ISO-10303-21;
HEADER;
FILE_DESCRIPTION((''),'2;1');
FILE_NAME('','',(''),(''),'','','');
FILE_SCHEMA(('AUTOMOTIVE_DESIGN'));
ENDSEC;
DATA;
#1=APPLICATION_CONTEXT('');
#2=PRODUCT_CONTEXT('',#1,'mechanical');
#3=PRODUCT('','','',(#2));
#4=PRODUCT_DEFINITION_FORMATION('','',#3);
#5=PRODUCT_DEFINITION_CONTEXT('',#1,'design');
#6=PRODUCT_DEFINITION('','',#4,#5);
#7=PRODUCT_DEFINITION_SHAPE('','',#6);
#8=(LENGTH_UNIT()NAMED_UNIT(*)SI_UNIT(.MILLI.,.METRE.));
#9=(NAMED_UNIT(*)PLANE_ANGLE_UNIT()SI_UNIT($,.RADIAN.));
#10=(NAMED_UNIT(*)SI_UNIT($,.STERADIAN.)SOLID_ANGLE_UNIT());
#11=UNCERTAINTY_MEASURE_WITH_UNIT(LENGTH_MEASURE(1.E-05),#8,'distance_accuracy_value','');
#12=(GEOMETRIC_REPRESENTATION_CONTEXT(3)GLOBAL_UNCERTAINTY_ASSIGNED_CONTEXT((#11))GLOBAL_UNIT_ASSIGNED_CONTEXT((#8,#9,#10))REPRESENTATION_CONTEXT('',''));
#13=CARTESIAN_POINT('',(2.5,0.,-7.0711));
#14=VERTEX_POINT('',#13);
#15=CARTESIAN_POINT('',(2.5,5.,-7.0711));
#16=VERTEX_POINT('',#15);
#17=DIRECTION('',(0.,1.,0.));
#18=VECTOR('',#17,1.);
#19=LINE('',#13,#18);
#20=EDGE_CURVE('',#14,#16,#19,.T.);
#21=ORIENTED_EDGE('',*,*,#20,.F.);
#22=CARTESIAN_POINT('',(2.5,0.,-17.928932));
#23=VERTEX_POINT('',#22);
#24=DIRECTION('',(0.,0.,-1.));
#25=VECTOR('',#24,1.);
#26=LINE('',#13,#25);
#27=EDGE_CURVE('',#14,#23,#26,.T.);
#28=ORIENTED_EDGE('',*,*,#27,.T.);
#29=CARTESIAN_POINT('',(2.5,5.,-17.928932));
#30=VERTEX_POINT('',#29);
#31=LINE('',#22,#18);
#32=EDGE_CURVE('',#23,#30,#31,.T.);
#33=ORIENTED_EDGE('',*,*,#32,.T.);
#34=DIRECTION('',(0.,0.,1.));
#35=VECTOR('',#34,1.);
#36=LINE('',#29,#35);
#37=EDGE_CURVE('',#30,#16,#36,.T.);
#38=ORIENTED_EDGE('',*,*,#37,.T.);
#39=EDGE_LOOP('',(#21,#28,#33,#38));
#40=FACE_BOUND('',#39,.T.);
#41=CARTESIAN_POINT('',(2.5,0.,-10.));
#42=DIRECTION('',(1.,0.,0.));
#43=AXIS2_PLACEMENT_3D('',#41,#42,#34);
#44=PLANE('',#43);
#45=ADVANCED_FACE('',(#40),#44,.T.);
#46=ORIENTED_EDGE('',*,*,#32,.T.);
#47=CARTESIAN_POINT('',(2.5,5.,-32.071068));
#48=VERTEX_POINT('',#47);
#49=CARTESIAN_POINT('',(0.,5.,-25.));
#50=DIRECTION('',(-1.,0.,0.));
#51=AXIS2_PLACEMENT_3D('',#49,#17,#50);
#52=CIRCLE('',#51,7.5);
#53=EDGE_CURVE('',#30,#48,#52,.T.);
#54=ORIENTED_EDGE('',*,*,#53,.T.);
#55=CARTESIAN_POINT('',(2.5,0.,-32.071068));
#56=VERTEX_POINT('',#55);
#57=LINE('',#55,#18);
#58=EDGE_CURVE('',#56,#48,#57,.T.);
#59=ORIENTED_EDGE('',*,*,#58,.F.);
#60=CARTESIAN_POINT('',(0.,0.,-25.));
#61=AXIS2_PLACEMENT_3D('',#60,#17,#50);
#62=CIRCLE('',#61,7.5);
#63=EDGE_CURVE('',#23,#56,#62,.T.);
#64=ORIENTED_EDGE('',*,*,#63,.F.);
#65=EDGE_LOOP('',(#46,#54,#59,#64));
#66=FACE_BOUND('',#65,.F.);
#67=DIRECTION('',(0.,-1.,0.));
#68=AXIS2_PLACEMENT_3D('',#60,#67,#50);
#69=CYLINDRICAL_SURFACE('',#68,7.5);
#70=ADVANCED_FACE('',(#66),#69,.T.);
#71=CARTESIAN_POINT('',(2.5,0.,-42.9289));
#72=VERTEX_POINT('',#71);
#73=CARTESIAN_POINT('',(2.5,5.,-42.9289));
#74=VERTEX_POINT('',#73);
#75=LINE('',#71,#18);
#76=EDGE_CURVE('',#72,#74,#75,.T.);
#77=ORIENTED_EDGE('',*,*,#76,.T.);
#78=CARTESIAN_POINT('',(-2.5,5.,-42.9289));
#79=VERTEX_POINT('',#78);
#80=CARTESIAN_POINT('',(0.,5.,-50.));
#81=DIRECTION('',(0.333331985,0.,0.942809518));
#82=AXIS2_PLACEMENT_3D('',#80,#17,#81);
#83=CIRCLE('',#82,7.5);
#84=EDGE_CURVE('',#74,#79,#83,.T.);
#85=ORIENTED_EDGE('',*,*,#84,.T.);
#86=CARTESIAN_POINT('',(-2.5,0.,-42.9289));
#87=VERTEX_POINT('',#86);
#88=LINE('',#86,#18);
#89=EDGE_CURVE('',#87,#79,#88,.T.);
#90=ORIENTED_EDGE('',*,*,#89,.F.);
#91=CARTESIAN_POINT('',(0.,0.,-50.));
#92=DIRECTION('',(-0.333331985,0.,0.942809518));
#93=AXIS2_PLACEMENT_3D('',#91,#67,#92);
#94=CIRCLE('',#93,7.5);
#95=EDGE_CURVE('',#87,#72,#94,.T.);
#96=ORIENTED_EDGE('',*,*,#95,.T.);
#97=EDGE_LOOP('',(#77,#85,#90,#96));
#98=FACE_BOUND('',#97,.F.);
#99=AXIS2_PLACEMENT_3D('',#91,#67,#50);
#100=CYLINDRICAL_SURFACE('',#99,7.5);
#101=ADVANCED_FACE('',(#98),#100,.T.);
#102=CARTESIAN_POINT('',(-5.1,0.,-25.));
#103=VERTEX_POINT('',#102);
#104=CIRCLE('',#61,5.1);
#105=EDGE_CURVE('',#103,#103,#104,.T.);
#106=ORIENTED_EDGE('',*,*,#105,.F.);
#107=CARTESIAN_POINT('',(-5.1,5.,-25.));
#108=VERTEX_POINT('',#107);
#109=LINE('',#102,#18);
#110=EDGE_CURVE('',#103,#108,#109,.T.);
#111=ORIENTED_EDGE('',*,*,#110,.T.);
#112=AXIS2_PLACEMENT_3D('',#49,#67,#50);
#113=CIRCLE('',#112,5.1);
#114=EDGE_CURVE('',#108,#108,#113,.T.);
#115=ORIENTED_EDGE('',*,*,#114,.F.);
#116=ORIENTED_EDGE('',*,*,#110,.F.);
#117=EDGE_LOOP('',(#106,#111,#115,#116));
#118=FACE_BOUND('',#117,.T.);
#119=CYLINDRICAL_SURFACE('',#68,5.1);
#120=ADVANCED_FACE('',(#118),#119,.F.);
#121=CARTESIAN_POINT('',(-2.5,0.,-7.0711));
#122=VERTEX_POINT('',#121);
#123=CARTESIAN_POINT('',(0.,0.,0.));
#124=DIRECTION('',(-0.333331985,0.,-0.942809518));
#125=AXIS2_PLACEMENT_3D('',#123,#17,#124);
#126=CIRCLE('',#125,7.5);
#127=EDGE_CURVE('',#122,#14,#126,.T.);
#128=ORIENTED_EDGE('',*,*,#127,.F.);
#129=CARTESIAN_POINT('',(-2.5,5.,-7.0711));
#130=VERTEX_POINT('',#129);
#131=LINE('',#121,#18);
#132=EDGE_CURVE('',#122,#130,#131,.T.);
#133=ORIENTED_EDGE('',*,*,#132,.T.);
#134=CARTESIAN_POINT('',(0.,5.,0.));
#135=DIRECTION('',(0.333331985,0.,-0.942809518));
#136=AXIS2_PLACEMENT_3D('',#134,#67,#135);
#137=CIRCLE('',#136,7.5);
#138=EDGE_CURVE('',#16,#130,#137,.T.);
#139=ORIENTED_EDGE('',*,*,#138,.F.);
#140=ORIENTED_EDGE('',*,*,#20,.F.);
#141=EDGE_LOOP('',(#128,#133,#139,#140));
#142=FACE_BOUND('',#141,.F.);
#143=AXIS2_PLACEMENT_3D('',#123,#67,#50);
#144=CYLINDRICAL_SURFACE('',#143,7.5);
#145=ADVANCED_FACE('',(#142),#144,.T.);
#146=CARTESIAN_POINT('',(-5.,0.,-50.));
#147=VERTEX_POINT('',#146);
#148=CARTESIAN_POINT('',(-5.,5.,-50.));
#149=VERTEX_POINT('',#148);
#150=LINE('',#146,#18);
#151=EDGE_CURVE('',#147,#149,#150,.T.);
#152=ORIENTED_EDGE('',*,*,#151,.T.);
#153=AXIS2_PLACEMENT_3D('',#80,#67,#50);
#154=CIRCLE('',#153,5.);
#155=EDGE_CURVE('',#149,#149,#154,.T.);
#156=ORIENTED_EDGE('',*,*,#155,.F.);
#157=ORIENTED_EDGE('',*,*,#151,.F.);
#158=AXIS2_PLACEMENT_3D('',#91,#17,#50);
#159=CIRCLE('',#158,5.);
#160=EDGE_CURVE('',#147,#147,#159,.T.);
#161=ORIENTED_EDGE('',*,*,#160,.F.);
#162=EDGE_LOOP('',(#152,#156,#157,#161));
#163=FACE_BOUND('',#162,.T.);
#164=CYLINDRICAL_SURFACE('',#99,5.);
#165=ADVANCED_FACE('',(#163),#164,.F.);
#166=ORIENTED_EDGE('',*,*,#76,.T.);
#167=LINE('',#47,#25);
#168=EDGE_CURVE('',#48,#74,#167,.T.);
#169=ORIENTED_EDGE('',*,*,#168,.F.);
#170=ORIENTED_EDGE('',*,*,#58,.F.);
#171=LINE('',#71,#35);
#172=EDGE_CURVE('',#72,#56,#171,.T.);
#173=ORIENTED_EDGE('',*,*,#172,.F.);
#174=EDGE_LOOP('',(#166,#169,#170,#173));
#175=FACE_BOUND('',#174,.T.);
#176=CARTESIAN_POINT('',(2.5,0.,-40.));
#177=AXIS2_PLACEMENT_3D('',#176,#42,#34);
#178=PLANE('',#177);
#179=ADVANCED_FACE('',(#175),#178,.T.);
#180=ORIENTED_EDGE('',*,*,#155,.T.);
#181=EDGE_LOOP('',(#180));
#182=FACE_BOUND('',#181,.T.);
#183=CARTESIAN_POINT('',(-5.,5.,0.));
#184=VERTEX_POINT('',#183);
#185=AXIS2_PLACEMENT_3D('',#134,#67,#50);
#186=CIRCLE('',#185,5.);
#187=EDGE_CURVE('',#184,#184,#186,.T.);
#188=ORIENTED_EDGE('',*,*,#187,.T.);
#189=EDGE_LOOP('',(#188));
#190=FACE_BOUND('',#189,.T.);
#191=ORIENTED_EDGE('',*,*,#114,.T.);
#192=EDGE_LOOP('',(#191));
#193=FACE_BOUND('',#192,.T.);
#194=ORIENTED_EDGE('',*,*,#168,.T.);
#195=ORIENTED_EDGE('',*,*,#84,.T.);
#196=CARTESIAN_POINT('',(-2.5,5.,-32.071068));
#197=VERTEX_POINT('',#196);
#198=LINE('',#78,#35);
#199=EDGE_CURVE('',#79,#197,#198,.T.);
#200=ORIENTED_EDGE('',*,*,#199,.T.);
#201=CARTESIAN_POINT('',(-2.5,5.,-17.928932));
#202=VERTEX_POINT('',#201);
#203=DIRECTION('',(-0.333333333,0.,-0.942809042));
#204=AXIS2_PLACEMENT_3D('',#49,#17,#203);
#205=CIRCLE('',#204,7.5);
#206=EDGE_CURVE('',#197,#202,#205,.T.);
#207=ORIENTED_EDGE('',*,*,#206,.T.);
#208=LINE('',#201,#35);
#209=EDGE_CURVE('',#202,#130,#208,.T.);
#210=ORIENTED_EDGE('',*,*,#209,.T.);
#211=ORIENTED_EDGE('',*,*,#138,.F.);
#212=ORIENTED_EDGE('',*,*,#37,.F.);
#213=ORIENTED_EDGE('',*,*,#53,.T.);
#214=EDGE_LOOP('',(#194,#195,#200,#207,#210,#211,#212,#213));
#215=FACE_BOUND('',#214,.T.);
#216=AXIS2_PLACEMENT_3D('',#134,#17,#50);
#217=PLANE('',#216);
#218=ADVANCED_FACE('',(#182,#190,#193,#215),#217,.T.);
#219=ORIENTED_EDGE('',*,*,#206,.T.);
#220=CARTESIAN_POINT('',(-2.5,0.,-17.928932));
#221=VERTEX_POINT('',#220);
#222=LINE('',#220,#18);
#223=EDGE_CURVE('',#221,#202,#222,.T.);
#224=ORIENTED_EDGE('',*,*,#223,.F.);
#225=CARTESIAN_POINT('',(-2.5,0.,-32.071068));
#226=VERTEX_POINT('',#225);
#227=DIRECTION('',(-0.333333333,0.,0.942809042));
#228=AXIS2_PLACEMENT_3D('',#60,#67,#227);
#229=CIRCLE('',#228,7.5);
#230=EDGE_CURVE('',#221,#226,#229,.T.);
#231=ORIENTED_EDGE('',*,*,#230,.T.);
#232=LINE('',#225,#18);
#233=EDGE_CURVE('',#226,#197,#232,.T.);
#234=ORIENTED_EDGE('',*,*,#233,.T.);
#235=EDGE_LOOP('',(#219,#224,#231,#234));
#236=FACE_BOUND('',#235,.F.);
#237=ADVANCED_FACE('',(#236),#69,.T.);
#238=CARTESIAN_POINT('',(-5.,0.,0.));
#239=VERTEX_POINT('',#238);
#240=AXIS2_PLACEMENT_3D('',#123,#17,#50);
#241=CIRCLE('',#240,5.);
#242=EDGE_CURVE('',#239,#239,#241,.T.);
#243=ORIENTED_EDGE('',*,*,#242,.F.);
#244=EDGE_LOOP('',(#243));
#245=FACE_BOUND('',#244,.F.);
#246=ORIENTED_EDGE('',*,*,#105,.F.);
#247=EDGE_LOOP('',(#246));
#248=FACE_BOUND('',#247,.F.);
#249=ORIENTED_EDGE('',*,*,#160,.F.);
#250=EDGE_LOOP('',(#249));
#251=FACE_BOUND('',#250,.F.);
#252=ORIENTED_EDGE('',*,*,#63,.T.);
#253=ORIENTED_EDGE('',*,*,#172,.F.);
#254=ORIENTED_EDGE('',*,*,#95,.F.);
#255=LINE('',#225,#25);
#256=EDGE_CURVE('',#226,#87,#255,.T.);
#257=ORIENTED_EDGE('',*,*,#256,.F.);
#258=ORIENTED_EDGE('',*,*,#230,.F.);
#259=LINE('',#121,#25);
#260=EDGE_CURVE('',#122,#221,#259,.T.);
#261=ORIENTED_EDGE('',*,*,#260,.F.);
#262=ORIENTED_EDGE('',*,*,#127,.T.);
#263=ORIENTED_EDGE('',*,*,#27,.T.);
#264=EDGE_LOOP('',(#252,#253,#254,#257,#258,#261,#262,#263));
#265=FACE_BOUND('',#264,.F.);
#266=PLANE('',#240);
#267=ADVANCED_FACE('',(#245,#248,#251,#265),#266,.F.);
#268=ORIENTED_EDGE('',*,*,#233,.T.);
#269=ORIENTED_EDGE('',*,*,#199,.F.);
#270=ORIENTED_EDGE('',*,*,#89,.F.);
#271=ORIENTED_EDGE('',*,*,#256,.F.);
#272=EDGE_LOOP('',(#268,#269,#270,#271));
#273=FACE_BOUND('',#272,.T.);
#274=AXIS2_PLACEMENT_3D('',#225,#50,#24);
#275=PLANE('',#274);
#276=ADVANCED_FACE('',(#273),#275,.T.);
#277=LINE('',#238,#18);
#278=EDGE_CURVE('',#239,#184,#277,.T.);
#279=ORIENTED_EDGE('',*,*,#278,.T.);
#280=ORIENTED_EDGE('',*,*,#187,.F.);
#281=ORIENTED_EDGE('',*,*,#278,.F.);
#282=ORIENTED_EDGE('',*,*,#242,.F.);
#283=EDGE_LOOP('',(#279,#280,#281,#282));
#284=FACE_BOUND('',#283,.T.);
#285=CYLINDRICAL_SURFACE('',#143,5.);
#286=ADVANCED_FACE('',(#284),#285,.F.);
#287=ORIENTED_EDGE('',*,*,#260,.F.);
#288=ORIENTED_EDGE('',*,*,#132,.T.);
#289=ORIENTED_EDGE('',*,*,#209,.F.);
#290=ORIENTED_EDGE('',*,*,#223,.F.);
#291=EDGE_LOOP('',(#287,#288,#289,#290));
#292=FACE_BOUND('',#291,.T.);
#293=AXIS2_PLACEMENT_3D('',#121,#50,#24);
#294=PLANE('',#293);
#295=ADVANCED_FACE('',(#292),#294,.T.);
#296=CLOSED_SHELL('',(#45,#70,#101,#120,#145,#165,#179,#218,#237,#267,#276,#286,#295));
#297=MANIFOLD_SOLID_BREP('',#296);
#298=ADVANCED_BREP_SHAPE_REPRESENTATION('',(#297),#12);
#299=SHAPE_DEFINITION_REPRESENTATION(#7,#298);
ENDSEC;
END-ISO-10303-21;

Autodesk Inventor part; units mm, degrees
ref_plane "YZ Plane" through (0, 0, 0) normal (1, 0, 0) x (0, 1, 0)
ref_plane "XZ Plane" through (0, 0, 0) normal (0, 1, 0) x (-1, 0, 0)
ref_plane "XY Plane" through (0, 0, 0) normal (0, 0, 1) x (1, 0, 0)
sketch "Sketch1" plane through (0, 0, 0) normal (0, 1, 0) x (-1, 0, 0)
  circle A0 centre (0, 0) radius 5
  circle A1 centre (0, 0) radius 7.5
  line L0 (-2.5, -5) -> (2.5, -5)
  line L1 (2.5, -5) -> (2.5, -10)
  line L2 (2.5, -10) -> (-2.5, -10)
  line L3 (-2.5, -10) -> (-2.5, -5)
  line L4 (-2.5, -5) -> (2.5, -10) construction
  line L5 (2.5, -5) -> (-2.5, -10) construction
  line L6 (0, 0) -> (0, -50)
  line L7 (0, -25) -> (5, -25)
  circle A2 centre (0, -50) radius 5
  circle A3 centre (0, -50) radius 7.5
  line L8 (-2.5, -45) -> (2.5, -45)
  line L9 (2.5, -45) -> (2.5, -40)
  line L10 (2.5, -40) -> (-2.5, -40)
  line L11 (-2.5, -40) -> (-2.5, -45)
  line L12 (-2.5, -45) -> (2.5, -40) construction
  line L13 (2.5, -45) -> (-2.5, -40) construction
  line L14 (2.5, -7.0711) -> (2.5, -42.9289)
  line L15 (-2.5, -42.9289) -> (-2.5, -7.0711)
  circle A4 centre (0, -25) radius 5
  circle A5 centre (0, -25) radius 7.5
  circle A6 centre (0, -25) radius 5.1
  point P0 (0, -7.5)
  point P1 (0, -42.5)
  point P2 (-2.5, -17.9289)
  point P3 (-2.5, -32.0711)
  point P4 (2.5, -32.0711)
  point P5 (2.5, -17.9289)
  dimension "d0" = 10
  dimension "d1" = 15
  dimension "d2" = 5
  dimension "d3" = 5
  dimension "d4" = 50
  dimension "d7" = 10
  dimension "d8" = 15
  dimension "d9" = 10.2
extrude "Extrusion1" add sketch "Sketch1" along normal blind 5 contours L0 L3 A1 L1 | L0 L1 A1 L6 | L6 A1 L3 L0 | L6 L2 L3 A1 | A1 L1 L2 L6 | L6 A5 L15 L2 | L2 L14 A5 L6 | A5 L14 A6 L6 | L6 A6 L15 A5 | L15 A6 A5 | A5 L14 A6 | A5 L6 L10 L15 | L15 A6 L6 A5 | L10 L6 A3 L11 | A5 L14 L10 L6 | L6 A6 L14 A5 | L10 L9 A3 L6 | L11 L8 L9 A3 | A3 L6 L8 L11 | A3 L9 L8 L6
properties part number "Pillar_side"
